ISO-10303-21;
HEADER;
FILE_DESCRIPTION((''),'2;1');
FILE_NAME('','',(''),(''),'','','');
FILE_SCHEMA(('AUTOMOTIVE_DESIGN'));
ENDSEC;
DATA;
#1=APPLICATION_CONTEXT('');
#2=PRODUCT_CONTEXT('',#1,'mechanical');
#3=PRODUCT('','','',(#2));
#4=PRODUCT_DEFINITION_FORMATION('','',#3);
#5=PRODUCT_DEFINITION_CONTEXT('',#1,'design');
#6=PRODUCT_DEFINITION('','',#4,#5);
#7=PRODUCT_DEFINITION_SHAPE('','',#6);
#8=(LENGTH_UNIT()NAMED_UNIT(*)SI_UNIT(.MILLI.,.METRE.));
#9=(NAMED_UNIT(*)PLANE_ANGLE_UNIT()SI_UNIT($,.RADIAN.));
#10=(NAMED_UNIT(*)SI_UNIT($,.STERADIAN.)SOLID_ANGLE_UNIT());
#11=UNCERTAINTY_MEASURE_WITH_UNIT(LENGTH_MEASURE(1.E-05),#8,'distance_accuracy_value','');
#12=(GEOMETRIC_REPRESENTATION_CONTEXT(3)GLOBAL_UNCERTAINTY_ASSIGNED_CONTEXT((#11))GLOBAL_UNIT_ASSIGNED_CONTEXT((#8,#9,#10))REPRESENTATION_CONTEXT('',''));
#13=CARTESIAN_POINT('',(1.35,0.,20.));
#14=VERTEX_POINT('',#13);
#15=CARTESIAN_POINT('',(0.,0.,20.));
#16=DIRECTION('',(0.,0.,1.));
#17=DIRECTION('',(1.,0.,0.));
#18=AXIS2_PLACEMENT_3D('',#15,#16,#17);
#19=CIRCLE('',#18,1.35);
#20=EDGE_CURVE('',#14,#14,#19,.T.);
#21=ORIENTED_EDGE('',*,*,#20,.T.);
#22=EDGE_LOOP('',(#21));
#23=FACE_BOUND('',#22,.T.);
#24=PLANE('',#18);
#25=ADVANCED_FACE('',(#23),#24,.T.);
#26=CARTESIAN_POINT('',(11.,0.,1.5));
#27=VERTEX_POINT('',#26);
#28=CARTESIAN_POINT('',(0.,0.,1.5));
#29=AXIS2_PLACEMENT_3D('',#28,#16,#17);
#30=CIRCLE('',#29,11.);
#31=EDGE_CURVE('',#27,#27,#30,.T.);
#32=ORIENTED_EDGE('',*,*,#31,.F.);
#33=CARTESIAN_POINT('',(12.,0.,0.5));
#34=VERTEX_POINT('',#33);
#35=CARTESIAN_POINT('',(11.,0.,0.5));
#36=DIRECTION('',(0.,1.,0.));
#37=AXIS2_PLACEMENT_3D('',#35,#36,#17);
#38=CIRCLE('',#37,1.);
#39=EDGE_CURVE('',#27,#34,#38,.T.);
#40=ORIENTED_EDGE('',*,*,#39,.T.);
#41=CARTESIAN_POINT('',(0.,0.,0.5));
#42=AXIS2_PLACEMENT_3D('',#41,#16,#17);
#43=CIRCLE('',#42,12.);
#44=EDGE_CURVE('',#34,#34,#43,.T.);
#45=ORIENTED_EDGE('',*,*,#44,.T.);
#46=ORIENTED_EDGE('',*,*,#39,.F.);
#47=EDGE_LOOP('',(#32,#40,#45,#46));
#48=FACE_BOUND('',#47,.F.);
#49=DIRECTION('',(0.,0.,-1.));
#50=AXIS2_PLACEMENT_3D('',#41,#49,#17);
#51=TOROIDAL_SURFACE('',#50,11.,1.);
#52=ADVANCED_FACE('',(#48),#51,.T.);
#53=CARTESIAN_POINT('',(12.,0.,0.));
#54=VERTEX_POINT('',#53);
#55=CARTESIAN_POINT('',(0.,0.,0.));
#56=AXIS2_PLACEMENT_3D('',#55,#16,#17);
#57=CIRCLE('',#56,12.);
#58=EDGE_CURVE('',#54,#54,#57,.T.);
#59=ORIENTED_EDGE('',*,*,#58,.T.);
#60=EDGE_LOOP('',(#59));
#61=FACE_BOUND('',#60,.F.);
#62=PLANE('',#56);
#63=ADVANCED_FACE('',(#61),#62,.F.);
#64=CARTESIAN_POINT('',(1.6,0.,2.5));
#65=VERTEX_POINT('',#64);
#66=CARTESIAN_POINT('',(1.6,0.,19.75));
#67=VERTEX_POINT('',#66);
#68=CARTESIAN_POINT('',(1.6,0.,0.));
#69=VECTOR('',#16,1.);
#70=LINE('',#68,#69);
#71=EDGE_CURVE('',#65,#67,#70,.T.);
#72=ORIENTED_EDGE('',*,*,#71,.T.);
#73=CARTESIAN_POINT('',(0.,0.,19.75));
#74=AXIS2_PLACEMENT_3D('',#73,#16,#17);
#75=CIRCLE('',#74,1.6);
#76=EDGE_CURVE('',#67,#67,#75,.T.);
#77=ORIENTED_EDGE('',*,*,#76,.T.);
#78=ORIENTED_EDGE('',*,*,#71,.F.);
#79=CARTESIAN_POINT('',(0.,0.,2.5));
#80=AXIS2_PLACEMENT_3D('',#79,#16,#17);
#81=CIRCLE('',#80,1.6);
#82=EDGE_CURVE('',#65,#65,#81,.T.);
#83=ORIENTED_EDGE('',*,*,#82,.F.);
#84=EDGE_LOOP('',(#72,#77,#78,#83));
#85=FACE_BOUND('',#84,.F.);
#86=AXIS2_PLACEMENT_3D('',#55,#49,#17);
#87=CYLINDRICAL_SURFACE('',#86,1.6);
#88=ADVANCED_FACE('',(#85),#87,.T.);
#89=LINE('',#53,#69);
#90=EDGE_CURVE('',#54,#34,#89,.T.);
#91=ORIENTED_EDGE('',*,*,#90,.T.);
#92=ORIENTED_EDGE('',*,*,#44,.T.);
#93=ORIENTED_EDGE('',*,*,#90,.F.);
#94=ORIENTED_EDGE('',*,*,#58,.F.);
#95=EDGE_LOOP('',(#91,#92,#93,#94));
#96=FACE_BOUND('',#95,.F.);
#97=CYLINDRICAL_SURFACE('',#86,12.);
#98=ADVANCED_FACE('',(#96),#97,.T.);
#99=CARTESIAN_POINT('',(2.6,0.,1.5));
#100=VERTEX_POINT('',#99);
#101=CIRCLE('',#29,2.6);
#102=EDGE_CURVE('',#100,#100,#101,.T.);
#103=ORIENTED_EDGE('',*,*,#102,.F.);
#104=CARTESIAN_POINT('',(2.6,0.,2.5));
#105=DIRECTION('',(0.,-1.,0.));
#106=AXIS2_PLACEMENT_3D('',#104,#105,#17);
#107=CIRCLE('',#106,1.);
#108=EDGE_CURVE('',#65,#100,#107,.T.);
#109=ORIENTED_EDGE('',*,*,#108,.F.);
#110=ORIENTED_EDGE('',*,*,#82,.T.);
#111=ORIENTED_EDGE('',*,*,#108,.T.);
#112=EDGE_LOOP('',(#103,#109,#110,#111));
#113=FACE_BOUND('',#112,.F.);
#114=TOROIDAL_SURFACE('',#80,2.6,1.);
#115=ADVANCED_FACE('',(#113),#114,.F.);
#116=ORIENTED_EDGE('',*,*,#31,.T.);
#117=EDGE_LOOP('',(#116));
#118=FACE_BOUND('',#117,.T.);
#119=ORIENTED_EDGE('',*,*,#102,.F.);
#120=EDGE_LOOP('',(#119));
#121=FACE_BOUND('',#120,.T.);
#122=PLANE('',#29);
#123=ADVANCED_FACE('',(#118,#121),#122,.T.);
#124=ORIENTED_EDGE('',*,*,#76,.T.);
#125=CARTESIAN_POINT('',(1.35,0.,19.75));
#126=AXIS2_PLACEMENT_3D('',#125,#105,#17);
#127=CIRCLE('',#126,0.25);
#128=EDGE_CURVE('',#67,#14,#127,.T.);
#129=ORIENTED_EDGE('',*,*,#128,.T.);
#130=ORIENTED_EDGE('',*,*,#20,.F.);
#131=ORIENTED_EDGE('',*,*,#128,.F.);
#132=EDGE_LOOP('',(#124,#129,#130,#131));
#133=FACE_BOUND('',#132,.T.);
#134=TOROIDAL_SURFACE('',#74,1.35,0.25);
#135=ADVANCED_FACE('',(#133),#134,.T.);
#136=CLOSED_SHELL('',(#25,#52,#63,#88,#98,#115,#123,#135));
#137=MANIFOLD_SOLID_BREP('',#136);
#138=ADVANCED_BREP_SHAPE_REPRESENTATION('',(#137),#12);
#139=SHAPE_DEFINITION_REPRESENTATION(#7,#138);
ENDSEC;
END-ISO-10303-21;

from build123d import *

# Parameters (mm, degrees)
F0_R     = 12
F0_R_2   = 1.6
F1_DEPTH = 1.5
F2_DEPTH = 20
F3_R     = 1
F4_R     = 0.25


with BuildPart() as f1:
    # F0 (on Top) → F1 (new body)
    with BuildSketch(Plane.XY):
        Circle(F0_R)
        Circle(F0_R_2, mode=Mode.SUBTRACT)
    extrude(amount=F1_DEPTH)

    # F0 (on Top) → F2 (join)
    with BuildSketch(Plane.XY):
        Circle(F0_R_2)
    extrude(amount=F2_DEPTH)

    # F3
    f3_edges = [f1.edges().sort_by_distance(p)[0] for p in [
        (-12, 0, 1.5),
        (-1.6, 0, 1.5),
    ]]
    fillet(f3_edges, radius=F3_R)

    # F4
    f4_edges = [f1.edges().sort_by_distance(p)[0] for p in [
        (-1.6, 0, 20),
    ]]
    fillet(f4_edges, radius=F4_R)


solid = f1.part
